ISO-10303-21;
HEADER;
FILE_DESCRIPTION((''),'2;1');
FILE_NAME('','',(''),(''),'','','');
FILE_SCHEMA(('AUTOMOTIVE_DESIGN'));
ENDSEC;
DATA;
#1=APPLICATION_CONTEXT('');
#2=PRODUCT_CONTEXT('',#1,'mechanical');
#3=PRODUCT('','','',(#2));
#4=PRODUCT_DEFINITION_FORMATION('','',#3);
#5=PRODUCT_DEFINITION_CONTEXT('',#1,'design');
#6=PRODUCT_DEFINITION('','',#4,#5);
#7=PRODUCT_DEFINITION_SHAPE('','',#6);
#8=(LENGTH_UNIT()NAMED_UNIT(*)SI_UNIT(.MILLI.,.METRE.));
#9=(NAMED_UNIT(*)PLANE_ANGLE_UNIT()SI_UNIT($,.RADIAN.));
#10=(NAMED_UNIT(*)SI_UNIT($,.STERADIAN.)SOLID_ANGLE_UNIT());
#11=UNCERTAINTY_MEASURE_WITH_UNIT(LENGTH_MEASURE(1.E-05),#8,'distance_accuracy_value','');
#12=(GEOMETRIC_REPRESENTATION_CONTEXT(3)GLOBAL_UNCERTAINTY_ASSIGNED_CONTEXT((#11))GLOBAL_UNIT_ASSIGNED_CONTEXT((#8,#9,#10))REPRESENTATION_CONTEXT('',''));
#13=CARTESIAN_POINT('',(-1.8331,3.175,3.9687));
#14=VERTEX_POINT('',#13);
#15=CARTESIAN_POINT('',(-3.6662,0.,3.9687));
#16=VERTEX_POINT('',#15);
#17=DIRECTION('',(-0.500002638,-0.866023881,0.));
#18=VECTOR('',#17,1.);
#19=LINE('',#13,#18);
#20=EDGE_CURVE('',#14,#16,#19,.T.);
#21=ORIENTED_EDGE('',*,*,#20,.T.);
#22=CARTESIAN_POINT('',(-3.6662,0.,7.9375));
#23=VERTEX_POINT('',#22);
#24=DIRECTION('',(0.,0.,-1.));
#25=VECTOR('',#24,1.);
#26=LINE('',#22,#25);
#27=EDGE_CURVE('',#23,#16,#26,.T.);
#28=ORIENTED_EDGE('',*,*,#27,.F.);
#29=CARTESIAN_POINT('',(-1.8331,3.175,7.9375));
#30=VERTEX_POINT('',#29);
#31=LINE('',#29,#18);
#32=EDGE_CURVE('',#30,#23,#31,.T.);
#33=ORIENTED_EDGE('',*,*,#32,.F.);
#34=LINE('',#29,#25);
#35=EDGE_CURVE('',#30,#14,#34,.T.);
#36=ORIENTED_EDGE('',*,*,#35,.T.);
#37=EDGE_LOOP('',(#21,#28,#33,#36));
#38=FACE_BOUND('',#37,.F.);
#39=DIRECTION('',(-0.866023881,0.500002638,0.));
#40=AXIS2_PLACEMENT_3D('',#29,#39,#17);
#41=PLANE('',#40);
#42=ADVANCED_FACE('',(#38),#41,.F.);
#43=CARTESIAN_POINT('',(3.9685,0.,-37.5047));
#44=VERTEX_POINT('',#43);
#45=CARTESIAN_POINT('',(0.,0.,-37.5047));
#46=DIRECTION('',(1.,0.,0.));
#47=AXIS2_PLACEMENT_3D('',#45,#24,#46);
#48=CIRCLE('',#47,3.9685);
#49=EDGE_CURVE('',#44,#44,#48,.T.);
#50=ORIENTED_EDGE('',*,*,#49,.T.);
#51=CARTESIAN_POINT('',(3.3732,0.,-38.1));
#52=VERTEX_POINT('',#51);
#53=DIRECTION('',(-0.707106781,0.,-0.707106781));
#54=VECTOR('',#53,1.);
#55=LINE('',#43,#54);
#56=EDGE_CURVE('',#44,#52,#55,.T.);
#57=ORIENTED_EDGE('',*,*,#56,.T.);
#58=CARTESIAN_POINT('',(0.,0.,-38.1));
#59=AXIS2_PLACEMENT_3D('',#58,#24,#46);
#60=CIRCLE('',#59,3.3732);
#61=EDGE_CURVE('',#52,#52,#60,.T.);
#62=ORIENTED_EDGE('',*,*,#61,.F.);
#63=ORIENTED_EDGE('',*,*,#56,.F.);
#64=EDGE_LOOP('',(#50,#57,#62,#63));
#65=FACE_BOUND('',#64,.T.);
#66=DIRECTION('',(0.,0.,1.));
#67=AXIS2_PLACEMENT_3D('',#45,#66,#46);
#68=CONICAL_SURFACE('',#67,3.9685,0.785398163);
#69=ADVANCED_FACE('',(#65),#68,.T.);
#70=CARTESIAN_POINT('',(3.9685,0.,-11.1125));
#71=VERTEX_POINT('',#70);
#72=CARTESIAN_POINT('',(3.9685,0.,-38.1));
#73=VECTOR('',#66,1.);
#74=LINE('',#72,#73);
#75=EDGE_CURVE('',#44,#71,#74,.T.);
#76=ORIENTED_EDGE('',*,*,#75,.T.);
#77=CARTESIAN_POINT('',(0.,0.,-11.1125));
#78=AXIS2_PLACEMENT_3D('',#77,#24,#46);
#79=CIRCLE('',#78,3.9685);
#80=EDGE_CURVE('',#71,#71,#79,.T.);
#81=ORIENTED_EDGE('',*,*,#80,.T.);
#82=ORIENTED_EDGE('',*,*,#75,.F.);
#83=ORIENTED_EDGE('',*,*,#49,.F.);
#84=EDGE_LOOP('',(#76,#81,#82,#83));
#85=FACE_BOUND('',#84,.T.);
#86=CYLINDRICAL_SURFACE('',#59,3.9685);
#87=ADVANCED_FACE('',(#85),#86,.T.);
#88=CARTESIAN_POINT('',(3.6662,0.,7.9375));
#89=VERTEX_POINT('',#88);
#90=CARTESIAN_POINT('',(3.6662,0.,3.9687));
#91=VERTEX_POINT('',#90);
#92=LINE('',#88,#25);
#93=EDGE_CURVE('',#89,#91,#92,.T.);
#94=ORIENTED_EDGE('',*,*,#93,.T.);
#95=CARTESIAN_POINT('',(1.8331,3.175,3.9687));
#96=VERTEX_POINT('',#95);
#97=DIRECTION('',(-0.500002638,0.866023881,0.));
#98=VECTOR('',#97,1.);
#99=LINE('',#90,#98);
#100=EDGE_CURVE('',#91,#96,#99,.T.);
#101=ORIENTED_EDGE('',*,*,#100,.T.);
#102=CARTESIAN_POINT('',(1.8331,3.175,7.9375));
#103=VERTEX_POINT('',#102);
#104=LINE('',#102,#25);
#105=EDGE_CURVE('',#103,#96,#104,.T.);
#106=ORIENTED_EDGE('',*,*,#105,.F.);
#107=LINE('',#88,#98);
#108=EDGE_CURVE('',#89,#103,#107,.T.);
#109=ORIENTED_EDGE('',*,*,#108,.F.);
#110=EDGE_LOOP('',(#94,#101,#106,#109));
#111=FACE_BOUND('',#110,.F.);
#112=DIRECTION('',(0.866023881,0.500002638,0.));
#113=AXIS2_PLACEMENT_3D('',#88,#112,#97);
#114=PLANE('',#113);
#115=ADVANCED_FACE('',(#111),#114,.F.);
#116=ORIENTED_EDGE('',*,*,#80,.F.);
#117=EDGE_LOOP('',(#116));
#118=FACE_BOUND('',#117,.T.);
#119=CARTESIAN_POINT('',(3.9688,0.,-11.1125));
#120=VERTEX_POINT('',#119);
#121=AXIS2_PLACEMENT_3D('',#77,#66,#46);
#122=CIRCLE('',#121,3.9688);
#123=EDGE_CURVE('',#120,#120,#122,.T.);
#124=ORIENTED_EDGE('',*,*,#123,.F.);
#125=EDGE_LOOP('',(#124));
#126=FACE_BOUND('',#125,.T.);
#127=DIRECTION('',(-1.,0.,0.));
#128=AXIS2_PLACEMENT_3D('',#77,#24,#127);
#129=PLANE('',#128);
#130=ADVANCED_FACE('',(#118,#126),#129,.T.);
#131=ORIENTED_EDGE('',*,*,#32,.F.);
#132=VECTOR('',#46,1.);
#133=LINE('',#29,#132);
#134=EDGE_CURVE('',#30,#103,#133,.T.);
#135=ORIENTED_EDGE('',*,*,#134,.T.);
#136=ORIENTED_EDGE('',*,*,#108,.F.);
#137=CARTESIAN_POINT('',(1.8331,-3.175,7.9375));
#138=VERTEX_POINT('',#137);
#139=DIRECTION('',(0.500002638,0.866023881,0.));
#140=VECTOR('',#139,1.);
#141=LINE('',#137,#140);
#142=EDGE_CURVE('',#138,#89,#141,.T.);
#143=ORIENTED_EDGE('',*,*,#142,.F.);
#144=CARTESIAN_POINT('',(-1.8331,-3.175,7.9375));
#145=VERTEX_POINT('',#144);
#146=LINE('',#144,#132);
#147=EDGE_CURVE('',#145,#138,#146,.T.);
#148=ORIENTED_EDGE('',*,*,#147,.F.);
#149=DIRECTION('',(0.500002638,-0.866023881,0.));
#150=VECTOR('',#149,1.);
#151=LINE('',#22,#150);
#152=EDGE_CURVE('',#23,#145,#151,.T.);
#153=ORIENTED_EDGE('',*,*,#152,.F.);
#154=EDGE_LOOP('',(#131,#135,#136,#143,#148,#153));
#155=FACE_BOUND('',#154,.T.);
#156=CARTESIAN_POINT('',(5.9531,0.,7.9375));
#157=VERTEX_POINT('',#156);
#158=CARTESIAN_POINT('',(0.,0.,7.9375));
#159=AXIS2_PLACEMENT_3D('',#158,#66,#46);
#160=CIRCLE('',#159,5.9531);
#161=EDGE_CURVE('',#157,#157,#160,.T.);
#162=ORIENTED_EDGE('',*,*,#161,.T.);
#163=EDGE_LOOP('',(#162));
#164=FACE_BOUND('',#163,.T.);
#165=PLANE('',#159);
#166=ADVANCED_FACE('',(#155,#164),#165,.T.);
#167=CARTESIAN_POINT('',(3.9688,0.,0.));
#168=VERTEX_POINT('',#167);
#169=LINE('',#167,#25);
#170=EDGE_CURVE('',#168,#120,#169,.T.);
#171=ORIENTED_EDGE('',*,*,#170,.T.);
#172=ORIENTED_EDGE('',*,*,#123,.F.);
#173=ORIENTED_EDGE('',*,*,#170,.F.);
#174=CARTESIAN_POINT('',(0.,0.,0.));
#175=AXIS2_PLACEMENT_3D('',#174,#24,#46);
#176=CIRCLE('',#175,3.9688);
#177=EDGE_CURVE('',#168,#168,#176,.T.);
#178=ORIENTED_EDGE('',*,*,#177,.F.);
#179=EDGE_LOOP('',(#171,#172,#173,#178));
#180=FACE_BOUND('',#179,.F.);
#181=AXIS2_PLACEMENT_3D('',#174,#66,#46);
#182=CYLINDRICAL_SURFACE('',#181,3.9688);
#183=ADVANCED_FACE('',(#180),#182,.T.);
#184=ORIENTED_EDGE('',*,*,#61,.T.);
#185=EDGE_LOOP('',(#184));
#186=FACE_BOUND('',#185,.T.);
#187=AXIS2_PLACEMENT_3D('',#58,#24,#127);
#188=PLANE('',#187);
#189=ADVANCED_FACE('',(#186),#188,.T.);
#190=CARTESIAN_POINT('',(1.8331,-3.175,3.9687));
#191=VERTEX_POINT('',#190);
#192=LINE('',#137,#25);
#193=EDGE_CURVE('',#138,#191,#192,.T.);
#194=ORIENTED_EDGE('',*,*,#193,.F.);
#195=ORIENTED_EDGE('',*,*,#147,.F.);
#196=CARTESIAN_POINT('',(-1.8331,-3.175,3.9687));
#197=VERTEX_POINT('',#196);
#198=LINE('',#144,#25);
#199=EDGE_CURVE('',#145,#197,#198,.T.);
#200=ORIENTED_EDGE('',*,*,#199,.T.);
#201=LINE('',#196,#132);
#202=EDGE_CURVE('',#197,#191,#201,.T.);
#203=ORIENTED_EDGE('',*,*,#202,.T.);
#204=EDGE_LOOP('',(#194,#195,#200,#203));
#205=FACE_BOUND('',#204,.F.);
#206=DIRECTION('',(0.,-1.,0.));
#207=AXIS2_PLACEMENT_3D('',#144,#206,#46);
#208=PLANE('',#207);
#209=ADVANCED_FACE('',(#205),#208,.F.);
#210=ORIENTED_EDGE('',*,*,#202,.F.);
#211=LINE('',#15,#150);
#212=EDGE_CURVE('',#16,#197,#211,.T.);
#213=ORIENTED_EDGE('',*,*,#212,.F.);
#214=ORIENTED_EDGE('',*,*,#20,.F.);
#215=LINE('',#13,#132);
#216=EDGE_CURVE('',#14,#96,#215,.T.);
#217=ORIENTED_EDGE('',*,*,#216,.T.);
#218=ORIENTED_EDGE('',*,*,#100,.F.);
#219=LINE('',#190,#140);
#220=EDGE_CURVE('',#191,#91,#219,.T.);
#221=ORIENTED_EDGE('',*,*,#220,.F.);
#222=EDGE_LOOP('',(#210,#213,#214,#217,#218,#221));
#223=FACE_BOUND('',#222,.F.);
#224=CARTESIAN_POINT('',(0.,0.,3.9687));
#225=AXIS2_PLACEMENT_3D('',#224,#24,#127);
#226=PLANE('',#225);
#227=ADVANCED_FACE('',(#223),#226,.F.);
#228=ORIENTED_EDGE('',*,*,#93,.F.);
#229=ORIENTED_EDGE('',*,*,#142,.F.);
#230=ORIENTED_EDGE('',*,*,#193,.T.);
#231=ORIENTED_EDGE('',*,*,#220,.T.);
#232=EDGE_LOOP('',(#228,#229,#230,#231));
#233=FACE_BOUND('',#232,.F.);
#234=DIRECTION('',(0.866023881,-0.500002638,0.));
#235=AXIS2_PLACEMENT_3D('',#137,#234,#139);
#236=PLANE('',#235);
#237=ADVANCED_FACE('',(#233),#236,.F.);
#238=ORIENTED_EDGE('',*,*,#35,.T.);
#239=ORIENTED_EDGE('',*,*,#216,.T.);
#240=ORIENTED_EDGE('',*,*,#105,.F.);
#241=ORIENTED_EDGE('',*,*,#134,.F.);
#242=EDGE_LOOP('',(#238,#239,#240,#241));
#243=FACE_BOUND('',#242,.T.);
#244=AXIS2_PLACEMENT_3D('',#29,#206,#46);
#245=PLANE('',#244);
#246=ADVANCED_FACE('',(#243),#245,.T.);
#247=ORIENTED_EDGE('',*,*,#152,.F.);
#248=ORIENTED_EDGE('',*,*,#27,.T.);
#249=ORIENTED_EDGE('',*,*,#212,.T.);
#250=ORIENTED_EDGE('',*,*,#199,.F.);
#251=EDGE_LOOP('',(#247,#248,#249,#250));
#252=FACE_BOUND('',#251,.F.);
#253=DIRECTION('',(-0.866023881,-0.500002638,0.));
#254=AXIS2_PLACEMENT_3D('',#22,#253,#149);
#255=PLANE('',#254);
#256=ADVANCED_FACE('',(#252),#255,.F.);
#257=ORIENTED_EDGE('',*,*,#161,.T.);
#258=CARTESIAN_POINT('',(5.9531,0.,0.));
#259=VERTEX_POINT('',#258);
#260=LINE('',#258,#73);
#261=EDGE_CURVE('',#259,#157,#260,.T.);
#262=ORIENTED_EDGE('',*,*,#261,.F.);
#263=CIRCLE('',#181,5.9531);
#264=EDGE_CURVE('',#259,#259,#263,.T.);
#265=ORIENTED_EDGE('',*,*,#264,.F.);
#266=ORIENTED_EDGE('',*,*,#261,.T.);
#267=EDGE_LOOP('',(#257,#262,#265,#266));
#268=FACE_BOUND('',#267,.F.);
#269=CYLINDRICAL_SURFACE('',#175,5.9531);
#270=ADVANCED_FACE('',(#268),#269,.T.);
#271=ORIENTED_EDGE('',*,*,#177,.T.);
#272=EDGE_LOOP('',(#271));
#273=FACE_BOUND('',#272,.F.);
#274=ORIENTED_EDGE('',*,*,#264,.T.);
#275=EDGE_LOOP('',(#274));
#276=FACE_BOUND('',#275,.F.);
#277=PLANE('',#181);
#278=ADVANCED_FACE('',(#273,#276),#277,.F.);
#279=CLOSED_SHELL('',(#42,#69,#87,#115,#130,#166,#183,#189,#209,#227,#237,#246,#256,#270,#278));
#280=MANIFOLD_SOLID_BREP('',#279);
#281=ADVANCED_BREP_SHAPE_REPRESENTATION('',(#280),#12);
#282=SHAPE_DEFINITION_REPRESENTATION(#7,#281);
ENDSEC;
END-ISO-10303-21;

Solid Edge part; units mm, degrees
sketch "Sketch1" plane through (0, 0, 0) normal (0, 0, 1) x (1, 0, 0)
  circle A0 centre (0, 0) radius 5.9531
  dimension "D1" = 11.9062
extrude "Protrusion1" add sketch "Sketch1" along normal blind 7.9375
sketch "Sketch2" plane through (0, 0, 0) normal (0, 0, -1) x (1, 0, 0)
  circle A0 centre (0, 0) radius 3.9688
extrude "Protrusion2" add sketch "Sketch2" along normal blind 38.1
sketch "Sketch3" plane through (0, 0, -38.1) normal (0, 0, -1) x (1, 0, 0)
  circle A0 centre (0, 0) radius 3.9685
extrude "Cutout1" cut sketch "Sketch3" against normal blind 26.9875 flip side to cut
chamfer "Chamfer_1" distance 0.5953 angle 45 1 edges at (-3.9685, 0, -38.1)
sketch "Sketch4" plane through (0, 0, 7.9375) normal (0, 0, 1) x (1, 0, 0)
  line L0 (-1.8331, 3.175) -> (1.8331, 3.175)
  line L1 (3.6662, 0) -> (1.8331, 3.175)
  line L2 (1.8331, -3.175) -> (3.6662, 0)
  line L3 (-1.8331, -3.175) -> (1.8331, -3.175)
  line L4 (-3.6662, 0) -> (-1.8331, -3.175)
  line L5 (-1.8331, 3.175) -> (-3.6662, 0)
  dimension "D1" = 6.35
extrude "Cutout2" cut sketch "Sketch4" against normal blind 3.9688
properties part number "24102196"
